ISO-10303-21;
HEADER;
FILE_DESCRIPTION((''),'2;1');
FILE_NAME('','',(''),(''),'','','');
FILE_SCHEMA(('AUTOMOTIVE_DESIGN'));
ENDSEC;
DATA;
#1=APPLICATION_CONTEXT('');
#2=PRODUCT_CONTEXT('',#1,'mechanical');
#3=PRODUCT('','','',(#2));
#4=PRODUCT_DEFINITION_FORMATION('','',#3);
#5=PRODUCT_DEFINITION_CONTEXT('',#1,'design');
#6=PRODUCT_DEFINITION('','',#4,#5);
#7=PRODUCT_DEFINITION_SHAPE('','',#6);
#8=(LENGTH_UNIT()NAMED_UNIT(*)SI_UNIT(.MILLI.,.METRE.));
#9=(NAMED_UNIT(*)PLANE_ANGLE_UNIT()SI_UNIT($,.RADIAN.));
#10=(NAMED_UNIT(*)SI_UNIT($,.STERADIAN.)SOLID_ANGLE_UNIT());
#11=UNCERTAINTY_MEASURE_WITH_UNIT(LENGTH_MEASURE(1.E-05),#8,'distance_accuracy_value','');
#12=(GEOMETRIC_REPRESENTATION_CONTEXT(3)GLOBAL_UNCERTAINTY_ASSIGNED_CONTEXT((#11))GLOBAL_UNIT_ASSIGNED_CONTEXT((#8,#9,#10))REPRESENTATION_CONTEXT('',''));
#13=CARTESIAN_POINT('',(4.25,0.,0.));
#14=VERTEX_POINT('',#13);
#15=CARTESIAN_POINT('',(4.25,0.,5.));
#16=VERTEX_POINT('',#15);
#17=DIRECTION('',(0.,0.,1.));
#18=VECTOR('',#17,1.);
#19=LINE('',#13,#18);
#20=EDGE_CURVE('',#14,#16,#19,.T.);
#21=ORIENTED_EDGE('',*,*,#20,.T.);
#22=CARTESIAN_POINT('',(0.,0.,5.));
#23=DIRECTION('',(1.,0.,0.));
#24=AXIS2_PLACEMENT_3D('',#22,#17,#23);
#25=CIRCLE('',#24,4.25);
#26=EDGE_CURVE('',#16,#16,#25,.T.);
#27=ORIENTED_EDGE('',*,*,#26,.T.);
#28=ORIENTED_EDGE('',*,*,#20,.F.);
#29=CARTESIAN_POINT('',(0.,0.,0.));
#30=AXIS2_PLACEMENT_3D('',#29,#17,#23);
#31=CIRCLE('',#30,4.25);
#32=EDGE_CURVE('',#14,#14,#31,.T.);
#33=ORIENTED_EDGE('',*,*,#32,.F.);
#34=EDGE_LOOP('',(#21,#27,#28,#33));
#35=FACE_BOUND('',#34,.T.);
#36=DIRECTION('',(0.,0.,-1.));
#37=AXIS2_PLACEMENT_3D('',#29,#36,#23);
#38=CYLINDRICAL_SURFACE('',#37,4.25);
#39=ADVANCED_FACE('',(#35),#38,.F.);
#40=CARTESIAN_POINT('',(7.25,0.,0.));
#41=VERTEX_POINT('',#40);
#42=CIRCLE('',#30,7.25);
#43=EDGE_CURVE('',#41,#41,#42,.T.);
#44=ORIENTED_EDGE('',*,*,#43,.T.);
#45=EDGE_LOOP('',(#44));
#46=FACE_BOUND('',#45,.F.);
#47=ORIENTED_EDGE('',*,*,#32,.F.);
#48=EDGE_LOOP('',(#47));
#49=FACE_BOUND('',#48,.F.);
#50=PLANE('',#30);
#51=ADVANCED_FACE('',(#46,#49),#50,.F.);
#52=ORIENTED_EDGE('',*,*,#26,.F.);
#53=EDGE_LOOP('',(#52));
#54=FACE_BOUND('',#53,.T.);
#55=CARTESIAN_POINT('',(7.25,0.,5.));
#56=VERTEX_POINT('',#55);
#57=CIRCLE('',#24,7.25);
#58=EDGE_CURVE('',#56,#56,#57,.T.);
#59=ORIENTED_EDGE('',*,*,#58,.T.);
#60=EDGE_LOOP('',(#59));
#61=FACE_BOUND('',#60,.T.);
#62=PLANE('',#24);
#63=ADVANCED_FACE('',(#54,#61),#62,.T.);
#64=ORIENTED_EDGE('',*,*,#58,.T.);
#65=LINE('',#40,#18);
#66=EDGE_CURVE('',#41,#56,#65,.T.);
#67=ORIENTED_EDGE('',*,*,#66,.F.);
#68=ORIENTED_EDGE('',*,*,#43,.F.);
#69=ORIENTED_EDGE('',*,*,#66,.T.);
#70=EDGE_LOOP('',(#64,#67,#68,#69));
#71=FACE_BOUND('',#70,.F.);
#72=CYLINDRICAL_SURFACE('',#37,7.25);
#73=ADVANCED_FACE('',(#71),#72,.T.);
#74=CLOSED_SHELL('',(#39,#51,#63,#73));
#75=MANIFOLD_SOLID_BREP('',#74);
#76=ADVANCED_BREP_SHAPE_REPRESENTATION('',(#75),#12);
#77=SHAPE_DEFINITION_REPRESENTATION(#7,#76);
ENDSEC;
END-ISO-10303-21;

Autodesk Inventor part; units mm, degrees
ref_plane "YZ Plane" through (0, 0, 0) normal (1, 0, 0) x (0, 1, 0)
ref_plane "XZ Plane" through (0, 0, 0) normal (0, 1, 0) x (-1, 0, 0)
ref_plane "XY Plane" through (0, 0, 0) normal (0, 0, 1) x (1, 0, 0)
sketch "Sketch1" plane through (0, 0, 0) normal (0, 0, 1) x (1, 0, 0)
  circle A0 centre (0, 0) radius 4.25
  circle A1 centre (0, 0) radius 7.25
  dimension "d0" = 8.5
  dimension "d1" = 3
extrude "Extrusion1" add sketch "Sketch1" along normal blind 5
properties part number "5 mm M8 Spacer_3DPrint"
